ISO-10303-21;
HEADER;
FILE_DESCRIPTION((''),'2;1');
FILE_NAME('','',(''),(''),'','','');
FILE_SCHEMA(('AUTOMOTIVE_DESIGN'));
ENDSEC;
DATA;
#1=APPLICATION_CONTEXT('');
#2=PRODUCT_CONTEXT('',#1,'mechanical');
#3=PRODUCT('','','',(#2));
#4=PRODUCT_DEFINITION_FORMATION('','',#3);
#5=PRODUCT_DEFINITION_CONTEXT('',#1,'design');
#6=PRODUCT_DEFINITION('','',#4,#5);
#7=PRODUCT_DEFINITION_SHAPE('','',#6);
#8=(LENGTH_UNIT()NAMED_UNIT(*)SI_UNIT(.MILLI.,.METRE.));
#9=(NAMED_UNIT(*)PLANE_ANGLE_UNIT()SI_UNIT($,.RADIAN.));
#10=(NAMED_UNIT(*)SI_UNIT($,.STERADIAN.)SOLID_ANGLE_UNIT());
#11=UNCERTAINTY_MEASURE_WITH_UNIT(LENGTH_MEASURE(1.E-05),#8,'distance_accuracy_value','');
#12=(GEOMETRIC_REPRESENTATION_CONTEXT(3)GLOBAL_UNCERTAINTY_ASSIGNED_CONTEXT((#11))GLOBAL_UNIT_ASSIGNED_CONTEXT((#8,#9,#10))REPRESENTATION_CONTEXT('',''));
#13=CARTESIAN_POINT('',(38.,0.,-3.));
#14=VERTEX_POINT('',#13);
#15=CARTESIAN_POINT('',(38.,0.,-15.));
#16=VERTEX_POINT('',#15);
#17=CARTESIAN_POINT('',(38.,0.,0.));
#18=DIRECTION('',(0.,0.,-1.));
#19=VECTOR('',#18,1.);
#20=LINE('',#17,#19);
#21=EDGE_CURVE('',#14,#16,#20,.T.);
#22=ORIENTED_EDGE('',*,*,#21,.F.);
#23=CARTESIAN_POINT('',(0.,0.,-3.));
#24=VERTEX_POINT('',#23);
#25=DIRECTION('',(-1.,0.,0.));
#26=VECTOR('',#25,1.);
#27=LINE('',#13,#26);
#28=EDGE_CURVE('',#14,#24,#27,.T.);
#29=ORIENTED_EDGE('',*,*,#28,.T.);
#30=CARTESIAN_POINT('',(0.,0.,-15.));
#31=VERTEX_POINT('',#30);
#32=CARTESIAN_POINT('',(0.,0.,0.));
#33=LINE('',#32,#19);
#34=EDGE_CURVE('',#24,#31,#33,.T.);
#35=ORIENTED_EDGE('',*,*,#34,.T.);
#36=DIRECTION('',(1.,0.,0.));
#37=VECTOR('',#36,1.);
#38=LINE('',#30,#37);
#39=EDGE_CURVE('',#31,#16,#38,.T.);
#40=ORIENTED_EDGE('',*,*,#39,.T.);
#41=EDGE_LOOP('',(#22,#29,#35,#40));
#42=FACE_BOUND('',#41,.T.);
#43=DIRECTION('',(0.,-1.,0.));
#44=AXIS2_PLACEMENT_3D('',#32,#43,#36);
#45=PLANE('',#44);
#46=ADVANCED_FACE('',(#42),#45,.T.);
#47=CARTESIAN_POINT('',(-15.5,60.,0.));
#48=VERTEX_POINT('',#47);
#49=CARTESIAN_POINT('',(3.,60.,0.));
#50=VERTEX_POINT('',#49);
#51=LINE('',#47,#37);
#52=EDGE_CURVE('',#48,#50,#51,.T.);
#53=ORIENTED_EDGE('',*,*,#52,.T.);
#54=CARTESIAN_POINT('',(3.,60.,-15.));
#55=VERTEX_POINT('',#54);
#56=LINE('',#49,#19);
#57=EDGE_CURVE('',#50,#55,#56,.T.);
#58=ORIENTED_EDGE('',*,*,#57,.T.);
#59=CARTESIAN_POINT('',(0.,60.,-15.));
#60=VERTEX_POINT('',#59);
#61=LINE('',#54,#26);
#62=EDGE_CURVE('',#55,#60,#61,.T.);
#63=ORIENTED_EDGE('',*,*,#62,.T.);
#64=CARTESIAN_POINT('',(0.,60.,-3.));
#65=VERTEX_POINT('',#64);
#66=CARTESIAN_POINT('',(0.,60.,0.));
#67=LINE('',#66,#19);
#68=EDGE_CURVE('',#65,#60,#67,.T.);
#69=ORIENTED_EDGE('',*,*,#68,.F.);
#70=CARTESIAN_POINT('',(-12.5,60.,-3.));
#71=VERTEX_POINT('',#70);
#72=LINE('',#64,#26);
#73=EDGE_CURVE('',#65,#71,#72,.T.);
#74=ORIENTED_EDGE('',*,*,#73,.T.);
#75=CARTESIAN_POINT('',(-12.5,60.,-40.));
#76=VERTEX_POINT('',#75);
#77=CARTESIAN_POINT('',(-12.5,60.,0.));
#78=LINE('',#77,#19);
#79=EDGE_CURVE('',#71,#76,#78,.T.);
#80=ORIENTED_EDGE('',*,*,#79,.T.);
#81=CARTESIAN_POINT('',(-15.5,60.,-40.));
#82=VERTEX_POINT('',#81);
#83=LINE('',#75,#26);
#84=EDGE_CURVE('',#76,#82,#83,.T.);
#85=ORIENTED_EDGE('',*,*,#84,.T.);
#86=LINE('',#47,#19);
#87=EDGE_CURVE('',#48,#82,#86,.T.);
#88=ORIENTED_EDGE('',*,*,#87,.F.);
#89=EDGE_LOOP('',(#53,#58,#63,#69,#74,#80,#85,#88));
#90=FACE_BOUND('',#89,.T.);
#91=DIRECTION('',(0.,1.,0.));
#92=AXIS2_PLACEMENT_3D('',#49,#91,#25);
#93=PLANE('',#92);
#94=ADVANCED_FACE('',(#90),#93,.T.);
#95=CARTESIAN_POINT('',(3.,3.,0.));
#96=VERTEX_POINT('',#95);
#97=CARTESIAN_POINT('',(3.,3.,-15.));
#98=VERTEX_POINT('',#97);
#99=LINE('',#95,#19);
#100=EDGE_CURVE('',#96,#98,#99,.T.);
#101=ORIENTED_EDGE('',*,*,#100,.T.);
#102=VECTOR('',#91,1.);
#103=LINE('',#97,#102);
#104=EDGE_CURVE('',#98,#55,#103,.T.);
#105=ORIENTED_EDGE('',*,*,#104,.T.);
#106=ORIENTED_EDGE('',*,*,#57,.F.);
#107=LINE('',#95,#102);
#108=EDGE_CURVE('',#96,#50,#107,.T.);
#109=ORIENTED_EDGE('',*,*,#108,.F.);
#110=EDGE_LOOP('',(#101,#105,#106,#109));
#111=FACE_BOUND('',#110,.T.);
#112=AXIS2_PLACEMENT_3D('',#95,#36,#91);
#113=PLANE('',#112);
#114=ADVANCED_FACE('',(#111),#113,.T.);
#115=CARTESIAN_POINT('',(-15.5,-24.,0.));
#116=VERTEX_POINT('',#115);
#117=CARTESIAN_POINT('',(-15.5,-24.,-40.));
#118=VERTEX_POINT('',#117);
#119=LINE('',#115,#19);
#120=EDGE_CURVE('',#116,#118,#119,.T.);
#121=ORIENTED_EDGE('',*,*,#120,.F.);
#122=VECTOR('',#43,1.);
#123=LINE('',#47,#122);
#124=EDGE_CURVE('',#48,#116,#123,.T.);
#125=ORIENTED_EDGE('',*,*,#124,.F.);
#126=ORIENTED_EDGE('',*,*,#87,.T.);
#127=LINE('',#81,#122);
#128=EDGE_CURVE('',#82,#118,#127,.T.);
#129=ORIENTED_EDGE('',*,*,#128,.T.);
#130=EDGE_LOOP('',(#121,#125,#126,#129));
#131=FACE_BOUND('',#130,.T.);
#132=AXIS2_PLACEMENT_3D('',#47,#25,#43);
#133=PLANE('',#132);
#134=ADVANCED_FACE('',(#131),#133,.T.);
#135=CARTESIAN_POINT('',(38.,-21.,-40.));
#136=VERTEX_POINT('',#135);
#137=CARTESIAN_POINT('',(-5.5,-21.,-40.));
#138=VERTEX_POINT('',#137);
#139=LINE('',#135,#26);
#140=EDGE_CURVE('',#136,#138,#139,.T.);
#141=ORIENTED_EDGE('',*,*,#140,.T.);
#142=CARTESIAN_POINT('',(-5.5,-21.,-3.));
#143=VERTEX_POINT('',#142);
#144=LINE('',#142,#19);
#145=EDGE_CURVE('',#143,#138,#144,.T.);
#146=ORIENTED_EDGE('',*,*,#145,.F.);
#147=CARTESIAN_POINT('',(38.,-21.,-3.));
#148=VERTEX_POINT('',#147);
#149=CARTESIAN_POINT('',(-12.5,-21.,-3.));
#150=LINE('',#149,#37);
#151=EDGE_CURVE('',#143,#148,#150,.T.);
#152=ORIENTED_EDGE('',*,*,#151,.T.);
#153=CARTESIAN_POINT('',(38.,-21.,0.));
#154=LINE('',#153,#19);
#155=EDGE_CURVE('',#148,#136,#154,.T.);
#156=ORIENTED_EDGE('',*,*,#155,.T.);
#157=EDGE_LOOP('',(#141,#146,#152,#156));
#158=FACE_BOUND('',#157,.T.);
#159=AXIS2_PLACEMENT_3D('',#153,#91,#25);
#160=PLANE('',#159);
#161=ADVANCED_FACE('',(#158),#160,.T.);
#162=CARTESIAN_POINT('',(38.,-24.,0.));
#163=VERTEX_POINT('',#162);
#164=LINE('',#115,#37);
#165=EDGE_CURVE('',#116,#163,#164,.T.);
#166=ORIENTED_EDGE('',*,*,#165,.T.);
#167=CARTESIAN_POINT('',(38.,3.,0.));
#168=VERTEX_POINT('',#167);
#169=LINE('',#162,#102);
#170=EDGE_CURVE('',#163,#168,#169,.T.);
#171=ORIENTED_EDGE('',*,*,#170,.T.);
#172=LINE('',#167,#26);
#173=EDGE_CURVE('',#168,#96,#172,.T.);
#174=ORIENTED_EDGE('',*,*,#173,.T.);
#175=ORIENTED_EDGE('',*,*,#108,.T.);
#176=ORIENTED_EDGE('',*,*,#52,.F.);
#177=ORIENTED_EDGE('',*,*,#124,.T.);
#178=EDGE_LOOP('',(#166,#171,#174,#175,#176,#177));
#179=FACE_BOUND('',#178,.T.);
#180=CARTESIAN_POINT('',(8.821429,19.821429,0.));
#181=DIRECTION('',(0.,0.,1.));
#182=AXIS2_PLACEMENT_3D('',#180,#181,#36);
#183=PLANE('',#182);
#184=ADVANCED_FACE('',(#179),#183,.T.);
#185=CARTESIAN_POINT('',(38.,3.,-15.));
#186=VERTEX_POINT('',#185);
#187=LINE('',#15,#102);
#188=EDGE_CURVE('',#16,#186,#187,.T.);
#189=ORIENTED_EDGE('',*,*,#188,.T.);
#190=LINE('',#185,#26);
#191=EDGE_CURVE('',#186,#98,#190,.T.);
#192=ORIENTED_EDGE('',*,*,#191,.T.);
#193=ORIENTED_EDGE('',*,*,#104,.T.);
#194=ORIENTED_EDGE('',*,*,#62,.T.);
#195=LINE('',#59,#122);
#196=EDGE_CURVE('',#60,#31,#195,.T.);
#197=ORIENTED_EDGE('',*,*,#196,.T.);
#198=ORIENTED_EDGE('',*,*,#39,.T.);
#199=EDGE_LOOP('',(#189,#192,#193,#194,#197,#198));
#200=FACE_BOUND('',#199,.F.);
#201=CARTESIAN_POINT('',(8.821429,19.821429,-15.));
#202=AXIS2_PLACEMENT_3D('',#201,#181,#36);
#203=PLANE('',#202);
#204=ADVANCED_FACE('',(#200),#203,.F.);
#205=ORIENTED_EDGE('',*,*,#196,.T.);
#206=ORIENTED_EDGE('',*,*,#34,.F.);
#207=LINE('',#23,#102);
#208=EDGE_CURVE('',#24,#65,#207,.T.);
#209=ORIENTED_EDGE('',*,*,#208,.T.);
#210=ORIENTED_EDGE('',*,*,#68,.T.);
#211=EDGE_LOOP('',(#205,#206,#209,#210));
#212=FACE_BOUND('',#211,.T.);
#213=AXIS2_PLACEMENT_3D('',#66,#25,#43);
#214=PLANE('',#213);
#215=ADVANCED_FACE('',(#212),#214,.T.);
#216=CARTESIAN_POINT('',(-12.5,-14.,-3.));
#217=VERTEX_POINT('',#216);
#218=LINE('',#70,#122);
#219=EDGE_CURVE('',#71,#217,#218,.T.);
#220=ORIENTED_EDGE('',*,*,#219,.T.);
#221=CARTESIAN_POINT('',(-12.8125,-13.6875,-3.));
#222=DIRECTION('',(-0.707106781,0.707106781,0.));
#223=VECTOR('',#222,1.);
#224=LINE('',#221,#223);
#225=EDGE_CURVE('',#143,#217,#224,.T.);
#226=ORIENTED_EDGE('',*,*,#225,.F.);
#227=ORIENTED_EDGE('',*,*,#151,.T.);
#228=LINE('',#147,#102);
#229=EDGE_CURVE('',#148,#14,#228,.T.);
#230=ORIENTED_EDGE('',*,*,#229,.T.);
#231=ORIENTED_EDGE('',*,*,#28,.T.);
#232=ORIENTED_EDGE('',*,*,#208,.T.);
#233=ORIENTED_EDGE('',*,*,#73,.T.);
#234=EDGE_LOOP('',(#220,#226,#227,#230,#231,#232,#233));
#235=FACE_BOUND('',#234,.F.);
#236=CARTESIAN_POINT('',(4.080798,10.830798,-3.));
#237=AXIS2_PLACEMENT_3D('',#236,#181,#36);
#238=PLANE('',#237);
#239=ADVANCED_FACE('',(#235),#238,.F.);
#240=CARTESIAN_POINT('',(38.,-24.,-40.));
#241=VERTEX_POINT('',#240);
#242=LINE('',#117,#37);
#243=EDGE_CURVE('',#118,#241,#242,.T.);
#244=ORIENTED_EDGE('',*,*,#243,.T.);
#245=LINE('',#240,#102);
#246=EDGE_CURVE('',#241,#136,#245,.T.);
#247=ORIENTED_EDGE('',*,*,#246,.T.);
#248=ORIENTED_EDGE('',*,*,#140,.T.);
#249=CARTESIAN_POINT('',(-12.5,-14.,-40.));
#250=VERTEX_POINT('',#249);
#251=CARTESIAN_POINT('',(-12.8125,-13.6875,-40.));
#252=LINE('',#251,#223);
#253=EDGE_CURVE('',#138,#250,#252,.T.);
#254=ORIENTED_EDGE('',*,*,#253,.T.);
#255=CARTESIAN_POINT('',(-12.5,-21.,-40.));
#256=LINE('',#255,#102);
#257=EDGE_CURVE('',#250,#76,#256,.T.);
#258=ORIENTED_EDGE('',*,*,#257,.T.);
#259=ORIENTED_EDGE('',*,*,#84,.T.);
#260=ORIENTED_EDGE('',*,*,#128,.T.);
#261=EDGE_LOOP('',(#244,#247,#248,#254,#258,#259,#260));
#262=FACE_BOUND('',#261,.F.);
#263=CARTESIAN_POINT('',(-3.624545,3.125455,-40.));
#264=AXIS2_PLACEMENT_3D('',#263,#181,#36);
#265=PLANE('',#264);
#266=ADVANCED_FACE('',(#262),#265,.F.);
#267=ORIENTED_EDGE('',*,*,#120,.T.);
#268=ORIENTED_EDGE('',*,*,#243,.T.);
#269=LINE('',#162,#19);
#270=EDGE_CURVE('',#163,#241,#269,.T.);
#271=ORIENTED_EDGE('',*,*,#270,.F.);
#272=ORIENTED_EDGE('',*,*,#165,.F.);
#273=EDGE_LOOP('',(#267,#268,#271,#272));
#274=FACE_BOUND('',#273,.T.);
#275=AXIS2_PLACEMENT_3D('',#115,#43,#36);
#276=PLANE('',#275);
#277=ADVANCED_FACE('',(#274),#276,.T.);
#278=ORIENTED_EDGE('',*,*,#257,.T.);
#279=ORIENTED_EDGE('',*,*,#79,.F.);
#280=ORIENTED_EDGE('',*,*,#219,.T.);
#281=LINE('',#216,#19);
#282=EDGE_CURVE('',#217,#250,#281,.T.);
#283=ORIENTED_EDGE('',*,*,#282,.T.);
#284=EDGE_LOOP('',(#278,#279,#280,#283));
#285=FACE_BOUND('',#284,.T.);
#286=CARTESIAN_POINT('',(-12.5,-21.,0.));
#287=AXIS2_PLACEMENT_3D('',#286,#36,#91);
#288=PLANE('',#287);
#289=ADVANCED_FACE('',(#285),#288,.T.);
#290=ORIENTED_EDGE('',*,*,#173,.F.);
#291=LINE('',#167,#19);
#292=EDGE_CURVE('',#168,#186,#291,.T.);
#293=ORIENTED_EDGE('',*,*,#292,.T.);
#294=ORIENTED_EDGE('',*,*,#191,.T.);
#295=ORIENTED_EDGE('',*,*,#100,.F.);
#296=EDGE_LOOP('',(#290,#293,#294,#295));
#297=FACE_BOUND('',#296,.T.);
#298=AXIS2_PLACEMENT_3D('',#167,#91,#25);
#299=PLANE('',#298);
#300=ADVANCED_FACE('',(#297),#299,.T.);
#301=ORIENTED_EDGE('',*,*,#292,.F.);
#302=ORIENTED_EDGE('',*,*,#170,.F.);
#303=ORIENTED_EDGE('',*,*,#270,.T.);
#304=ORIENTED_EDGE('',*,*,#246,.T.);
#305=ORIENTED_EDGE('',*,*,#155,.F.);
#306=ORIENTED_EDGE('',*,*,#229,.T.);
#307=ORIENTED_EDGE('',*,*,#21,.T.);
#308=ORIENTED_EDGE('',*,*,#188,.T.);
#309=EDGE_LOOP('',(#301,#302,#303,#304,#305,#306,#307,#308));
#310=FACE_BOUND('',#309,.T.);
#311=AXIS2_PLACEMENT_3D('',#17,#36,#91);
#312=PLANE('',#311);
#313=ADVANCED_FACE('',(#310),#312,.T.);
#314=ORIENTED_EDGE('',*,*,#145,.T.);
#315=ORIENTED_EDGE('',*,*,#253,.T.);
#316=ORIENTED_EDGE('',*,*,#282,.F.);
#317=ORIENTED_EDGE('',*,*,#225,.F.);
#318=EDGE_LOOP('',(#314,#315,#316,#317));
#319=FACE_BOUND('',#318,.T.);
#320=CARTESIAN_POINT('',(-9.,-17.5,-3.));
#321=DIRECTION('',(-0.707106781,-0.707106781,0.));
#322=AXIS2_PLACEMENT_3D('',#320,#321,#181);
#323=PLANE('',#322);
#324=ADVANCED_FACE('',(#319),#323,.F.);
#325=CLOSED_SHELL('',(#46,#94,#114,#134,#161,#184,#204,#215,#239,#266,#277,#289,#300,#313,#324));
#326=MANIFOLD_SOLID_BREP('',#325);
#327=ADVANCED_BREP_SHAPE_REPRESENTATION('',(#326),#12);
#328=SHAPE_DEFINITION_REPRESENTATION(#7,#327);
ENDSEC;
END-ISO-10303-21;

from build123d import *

# Parameters (mm, degrees)
F2_DEPTH = 3
F3_DEPTH = 40
F4_DEPTH = 15
F5_SIZE  = 7


with BuildPart() as f2:
    # F1 (on Top) → F2 (new body)
    with BuildSketch(Plane.XY):
        Polygon((0, 60), (-12.5, 60), (-12.5, -21), (38, -21), (38, 0), (0, 0), align=None)
    extrude(amount=-F2_DEPTH)

    # F1 (on Top) → F3 (join)
    with BuildSketch(Plane.XY):
        Polygon((-12.5, -21), (-12.5, 60), (-15.5, 60), (-15.5, -24), (38, -24), (38, -21), align=None)
    extrude(amount=-F3_DEPTH)

    # F1 (on Top) → F4 (join)
    with BuildSketch(Plane.XY):
        Polygon((3, 60), (0, 60), (0, 0), (38, 0), (38, 3), (3, 3), align=None)
    extrude(amount=-F4_DEPTH)

    # F5
    f5_edges = [f2.edges().sort_by_distance(p)[0] for p in [
        (-12.5, -21, -21.5),
    ]]
    chamfer(f5_edges, length=F5_SIZE)


solid = f2.part
